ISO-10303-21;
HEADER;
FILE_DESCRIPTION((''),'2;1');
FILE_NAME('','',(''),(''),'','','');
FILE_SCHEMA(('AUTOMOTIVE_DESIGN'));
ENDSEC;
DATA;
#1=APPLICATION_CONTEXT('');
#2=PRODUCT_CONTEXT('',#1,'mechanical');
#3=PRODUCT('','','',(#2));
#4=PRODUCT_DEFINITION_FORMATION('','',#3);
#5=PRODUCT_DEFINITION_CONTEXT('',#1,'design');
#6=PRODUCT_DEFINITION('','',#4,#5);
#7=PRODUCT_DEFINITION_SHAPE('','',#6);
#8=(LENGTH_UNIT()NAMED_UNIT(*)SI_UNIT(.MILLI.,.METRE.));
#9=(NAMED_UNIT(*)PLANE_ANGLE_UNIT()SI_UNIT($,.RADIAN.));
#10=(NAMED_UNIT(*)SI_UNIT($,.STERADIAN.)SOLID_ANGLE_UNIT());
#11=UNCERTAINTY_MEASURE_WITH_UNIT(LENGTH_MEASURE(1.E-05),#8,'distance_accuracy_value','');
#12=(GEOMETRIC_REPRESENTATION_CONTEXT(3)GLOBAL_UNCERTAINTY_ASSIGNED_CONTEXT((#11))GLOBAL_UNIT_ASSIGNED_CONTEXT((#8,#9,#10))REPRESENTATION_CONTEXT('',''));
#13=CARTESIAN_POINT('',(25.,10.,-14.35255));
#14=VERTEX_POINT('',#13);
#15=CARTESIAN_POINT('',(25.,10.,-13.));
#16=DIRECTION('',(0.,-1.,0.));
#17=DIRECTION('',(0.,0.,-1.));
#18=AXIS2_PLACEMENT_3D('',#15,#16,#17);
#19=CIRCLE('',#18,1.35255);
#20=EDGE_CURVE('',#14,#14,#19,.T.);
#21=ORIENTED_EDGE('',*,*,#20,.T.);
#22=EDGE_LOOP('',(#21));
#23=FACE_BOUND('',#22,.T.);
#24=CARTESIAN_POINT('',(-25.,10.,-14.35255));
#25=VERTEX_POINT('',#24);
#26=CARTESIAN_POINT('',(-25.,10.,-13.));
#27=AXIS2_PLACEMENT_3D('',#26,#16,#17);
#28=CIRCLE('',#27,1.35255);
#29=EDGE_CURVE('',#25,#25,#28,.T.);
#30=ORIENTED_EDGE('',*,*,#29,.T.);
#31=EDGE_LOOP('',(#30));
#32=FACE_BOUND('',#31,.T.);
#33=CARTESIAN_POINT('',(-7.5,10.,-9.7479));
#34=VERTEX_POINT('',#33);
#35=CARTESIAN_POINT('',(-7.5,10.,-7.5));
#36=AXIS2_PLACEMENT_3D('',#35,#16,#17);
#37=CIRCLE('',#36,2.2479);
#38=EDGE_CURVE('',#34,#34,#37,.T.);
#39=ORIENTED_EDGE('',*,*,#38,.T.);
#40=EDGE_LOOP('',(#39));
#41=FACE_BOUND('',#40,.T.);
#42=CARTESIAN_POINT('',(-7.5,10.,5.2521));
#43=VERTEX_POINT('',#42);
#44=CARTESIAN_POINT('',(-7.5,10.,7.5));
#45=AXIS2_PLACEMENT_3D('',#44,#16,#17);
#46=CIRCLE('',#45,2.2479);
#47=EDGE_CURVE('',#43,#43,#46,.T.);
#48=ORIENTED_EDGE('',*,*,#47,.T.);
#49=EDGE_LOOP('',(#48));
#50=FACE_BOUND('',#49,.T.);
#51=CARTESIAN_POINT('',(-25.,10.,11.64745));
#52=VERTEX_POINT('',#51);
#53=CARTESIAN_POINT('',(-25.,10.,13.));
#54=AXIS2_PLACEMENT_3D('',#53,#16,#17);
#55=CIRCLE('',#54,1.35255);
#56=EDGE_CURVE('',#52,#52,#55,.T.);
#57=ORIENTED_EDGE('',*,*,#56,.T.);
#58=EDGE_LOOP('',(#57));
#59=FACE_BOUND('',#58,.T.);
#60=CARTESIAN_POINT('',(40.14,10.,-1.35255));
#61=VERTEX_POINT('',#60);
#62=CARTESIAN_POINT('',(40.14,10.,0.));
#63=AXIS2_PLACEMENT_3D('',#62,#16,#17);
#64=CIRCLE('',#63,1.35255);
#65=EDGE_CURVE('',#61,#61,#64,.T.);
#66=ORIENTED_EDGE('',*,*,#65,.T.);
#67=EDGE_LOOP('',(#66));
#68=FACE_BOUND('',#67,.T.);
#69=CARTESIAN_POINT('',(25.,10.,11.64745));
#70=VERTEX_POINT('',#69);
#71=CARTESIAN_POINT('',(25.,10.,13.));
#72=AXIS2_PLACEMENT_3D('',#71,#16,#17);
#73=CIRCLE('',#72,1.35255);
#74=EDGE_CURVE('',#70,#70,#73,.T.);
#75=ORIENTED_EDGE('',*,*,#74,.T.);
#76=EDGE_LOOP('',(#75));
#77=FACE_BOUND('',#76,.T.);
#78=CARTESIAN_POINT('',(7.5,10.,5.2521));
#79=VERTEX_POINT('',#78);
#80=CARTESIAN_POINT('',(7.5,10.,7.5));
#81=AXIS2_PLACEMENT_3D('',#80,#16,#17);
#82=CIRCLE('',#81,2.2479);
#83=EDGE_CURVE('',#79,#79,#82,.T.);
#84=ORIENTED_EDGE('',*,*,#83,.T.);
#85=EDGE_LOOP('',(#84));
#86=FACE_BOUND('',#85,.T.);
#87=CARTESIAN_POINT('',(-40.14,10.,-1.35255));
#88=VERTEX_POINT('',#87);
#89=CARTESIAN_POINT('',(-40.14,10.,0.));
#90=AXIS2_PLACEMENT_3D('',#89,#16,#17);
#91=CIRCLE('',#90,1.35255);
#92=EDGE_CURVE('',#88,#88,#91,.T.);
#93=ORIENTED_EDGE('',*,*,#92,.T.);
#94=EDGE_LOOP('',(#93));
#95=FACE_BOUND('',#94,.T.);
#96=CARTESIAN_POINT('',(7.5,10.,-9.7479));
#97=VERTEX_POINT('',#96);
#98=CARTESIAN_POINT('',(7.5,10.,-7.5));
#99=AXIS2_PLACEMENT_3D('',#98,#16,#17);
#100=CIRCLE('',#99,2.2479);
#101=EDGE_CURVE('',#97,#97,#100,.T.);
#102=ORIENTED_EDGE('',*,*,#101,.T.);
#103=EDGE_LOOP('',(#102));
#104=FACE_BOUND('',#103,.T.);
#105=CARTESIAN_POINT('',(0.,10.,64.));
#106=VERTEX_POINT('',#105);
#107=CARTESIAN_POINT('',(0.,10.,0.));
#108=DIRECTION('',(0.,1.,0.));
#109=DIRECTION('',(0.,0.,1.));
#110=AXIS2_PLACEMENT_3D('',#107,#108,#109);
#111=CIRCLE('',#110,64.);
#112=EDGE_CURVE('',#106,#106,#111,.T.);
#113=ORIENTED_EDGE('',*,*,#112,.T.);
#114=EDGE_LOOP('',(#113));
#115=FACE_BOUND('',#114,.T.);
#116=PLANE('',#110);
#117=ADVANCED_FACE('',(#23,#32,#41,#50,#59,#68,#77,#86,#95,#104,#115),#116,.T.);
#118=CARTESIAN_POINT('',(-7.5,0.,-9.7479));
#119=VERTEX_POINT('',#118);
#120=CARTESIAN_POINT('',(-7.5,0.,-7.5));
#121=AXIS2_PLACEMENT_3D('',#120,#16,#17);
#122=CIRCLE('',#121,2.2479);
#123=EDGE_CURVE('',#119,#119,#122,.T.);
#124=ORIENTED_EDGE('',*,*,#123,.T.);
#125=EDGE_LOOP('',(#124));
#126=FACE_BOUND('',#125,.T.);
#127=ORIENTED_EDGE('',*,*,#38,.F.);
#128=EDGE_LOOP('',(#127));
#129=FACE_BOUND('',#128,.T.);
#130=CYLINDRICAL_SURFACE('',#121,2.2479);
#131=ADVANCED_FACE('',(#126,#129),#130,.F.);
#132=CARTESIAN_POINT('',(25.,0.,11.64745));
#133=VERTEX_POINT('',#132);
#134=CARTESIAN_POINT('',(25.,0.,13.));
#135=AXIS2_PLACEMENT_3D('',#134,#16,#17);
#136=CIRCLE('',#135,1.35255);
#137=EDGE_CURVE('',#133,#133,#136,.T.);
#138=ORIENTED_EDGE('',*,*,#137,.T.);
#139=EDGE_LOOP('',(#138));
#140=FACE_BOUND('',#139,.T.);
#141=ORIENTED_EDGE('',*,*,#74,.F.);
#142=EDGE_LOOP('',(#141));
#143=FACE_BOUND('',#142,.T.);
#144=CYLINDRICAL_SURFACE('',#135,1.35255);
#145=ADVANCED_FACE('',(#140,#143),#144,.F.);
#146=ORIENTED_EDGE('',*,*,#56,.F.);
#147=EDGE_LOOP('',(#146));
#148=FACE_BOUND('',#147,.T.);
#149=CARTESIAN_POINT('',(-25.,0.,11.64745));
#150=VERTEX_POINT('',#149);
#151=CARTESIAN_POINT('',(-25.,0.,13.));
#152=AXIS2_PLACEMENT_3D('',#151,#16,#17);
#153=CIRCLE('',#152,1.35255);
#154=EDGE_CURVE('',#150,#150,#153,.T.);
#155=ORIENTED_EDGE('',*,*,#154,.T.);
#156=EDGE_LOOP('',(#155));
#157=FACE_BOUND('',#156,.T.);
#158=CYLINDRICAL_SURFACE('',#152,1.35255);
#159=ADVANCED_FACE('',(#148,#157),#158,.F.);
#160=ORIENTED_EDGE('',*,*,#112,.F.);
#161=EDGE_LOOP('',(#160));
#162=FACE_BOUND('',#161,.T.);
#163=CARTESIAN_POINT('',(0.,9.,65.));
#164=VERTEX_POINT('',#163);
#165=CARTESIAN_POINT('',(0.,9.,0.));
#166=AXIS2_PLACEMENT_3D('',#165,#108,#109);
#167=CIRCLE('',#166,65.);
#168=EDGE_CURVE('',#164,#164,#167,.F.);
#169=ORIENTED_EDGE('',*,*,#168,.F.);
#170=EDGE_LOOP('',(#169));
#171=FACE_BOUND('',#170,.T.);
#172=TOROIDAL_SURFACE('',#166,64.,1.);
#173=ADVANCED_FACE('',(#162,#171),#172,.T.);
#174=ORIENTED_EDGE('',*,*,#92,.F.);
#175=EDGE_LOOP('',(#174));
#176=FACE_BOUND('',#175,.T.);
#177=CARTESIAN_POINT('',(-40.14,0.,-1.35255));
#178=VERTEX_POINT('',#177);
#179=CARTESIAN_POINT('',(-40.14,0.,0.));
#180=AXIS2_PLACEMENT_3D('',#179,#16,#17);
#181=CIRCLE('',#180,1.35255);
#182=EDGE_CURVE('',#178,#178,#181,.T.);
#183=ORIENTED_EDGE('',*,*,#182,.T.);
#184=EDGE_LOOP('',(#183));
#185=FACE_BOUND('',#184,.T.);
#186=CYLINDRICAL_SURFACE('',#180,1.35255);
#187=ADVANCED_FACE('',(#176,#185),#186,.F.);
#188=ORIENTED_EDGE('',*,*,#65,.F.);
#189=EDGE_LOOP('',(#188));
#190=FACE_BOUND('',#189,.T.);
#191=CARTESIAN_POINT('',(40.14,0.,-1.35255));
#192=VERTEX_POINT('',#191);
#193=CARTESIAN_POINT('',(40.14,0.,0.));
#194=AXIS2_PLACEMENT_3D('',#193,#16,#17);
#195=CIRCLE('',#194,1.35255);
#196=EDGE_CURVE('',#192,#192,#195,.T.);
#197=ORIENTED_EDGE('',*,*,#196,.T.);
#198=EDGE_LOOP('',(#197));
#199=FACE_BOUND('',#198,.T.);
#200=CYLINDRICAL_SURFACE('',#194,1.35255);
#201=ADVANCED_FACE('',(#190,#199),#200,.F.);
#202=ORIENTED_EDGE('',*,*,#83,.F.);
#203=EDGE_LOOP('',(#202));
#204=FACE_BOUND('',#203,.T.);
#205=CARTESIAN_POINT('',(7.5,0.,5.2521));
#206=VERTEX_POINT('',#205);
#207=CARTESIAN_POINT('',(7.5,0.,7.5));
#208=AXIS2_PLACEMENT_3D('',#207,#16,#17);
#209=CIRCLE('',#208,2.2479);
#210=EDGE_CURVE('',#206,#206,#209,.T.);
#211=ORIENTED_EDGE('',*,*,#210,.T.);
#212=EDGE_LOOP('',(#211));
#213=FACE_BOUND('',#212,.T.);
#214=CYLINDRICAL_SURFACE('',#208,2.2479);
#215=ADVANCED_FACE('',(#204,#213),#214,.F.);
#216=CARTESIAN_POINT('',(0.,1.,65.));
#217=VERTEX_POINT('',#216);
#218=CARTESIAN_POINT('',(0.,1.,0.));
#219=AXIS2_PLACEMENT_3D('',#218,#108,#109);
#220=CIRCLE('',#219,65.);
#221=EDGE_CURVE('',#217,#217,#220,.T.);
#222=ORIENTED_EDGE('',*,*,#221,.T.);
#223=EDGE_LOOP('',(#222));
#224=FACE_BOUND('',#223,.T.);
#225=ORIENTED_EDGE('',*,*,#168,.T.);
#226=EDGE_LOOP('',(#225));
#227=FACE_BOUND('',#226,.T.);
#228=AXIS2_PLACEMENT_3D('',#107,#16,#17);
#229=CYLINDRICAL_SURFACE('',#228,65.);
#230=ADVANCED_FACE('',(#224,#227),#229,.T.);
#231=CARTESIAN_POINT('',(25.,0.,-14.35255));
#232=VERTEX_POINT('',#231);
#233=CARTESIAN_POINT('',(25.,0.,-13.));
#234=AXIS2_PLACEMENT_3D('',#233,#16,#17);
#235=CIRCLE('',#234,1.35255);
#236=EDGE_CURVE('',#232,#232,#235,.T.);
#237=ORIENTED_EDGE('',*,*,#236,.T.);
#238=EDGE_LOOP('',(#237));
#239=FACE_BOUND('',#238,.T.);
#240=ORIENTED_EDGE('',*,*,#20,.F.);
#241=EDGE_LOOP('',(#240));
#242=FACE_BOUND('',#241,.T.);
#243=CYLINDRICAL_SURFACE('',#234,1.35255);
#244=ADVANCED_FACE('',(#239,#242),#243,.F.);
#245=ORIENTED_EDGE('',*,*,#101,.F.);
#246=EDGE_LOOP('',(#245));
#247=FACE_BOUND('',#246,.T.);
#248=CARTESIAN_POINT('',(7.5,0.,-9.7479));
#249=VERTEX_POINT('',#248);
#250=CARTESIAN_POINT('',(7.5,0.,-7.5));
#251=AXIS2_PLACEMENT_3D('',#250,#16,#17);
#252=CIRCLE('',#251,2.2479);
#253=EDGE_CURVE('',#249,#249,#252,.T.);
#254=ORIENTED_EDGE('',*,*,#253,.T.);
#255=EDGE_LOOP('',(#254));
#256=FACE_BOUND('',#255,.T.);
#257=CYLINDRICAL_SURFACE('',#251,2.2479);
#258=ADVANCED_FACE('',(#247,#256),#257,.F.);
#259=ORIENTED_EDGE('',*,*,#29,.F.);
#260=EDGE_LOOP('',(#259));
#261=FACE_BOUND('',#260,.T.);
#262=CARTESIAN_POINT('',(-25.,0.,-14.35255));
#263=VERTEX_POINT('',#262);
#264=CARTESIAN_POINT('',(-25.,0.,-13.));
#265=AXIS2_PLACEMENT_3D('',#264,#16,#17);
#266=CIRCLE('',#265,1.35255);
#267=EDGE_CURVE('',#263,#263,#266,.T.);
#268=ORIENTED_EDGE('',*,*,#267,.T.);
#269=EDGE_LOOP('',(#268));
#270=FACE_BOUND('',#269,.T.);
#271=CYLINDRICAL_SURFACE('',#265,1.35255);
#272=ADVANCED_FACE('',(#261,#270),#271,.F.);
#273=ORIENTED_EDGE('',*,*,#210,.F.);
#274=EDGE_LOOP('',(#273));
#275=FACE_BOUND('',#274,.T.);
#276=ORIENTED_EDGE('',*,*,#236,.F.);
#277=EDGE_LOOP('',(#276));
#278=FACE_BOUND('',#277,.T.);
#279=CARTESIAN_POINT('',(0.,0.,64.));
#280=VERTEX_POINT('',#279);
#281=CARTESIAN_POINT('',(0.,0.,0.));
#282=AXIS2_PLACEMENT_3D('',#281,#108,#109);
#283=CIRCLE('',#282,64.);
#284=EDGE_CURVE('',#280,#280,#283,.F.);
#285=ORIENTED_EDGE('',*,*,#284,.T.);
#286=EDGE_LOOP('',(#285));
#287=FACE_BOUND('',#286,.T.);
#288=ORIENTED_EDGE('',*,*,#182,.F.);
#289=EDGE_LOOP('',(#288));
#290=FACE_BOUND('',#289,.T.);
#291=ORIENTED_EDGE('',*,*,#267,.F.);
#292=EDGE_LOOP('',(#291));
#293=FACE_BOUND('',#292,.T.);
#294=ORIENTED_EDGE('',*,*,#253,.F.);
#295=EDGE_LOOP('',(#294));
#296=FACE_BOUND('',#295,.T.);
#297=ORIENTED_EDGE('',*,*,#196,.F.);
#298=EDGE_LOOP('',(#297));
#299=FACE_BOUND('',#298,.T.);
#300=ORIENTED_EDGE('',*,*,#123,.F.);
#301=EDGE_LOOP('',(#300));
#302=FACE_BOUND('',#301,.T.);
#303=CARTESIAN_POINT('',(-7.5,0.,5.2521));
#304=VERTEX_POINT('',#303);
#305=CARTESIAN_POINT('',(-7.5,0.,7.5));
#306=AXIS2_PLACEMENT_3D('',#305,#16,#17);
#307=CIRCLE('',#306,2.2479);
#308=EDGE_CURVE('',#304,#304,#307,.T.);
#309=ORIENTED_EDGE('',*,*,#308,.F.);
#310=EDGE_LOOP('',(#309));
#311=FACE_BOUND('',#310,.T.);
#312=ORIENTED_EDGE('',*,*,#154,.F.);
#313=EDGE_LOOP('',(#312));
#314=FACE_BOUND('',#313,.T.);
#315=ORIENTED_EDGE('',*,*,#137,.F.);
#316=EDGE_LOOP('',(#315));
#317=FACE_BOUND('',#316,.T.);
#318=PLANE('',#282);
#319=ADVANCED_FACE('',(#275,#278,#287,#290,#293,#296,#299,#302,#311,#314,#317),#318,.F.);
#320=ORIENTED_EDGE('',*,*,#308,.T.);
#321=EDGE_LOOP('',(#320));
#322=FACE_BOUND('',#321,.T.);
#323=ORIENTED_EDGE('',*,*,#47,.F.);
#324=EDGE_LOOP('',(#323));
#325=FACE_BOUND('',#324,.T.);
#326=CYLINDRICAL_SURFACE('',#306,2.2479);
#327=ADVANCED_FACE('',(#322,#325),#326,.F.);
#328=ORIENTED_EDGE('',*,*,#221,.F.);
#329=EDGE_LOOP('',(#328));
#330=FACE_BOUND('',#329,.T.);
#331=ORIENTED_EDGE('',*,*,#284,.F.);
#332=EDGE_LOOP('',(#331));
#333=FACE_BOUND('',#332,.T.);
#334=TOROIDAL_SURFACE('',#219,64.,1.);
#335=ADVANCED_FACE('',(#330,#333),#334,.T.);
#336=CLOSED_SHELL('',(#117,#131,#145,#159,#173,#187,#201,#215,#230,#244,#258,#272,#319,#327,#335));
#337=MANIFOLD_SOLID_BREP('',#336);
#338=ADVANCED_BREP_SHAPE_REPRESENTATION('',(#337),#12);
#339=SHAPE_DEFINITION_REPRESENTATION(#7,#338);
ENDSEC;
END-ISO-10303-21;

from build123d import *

# Parameters (mm, degrees)
SKETCH1_R             = 65
BOSS_EXTRUDE1_DEPTH   = 10
FILLET1_R             = 1
F_6_32_TAPPED_HOLE1_D = 2.7051
F_8_CLEARANCE_HOLE1_D = 4.4958


with BuildPart() as part:
    # Sketch1 → Boss-Extrude1 (new body)
    with BuildSketch(Plane(origin=(0, 0, 0), x_dir=(1, 0, 0), z_dir=(0, 1, 0))):
        with Locations(Location((0, 0, 0), (0, 0, 270))):
            Circle(SKETCH1_R)
    extrude(amount=BOSS_EXTRUDE1_DEPTH)

    # Fillet1
    fillet1_edges = [part.edges().sort_by_distance(p)[0] for p in [
        (0, 0, -65),
        (0, 10, -65),
    ]]
    fillet(fillet1_edges, radius=FILLET1_R)

    # #6-32 Tapped Hole1 (through all)
    with Locations(Plane.XZ):
        with Locations((-40.14, 0), (40.14, 0), (-25, -13), (-25, 13), (25, 13), (25, -13)):
            Hole(F_6_32_TAPPED_HOLE1_D / 2)

    # #8 Clearance Hole1 (through all)
    with Locations(Plane(origin=(0, 0, 0), x_dir=(-1, 0, 0), z_dir=(0, -1, 0))):
        with Locations((7.5, -7.5), (-7.5, -7.5), (7.5, 7.5), (-7.5, 7.5)):
            Hole(F_8_CLEARANCE_HOLE1_D / 2)


solid = part.part
